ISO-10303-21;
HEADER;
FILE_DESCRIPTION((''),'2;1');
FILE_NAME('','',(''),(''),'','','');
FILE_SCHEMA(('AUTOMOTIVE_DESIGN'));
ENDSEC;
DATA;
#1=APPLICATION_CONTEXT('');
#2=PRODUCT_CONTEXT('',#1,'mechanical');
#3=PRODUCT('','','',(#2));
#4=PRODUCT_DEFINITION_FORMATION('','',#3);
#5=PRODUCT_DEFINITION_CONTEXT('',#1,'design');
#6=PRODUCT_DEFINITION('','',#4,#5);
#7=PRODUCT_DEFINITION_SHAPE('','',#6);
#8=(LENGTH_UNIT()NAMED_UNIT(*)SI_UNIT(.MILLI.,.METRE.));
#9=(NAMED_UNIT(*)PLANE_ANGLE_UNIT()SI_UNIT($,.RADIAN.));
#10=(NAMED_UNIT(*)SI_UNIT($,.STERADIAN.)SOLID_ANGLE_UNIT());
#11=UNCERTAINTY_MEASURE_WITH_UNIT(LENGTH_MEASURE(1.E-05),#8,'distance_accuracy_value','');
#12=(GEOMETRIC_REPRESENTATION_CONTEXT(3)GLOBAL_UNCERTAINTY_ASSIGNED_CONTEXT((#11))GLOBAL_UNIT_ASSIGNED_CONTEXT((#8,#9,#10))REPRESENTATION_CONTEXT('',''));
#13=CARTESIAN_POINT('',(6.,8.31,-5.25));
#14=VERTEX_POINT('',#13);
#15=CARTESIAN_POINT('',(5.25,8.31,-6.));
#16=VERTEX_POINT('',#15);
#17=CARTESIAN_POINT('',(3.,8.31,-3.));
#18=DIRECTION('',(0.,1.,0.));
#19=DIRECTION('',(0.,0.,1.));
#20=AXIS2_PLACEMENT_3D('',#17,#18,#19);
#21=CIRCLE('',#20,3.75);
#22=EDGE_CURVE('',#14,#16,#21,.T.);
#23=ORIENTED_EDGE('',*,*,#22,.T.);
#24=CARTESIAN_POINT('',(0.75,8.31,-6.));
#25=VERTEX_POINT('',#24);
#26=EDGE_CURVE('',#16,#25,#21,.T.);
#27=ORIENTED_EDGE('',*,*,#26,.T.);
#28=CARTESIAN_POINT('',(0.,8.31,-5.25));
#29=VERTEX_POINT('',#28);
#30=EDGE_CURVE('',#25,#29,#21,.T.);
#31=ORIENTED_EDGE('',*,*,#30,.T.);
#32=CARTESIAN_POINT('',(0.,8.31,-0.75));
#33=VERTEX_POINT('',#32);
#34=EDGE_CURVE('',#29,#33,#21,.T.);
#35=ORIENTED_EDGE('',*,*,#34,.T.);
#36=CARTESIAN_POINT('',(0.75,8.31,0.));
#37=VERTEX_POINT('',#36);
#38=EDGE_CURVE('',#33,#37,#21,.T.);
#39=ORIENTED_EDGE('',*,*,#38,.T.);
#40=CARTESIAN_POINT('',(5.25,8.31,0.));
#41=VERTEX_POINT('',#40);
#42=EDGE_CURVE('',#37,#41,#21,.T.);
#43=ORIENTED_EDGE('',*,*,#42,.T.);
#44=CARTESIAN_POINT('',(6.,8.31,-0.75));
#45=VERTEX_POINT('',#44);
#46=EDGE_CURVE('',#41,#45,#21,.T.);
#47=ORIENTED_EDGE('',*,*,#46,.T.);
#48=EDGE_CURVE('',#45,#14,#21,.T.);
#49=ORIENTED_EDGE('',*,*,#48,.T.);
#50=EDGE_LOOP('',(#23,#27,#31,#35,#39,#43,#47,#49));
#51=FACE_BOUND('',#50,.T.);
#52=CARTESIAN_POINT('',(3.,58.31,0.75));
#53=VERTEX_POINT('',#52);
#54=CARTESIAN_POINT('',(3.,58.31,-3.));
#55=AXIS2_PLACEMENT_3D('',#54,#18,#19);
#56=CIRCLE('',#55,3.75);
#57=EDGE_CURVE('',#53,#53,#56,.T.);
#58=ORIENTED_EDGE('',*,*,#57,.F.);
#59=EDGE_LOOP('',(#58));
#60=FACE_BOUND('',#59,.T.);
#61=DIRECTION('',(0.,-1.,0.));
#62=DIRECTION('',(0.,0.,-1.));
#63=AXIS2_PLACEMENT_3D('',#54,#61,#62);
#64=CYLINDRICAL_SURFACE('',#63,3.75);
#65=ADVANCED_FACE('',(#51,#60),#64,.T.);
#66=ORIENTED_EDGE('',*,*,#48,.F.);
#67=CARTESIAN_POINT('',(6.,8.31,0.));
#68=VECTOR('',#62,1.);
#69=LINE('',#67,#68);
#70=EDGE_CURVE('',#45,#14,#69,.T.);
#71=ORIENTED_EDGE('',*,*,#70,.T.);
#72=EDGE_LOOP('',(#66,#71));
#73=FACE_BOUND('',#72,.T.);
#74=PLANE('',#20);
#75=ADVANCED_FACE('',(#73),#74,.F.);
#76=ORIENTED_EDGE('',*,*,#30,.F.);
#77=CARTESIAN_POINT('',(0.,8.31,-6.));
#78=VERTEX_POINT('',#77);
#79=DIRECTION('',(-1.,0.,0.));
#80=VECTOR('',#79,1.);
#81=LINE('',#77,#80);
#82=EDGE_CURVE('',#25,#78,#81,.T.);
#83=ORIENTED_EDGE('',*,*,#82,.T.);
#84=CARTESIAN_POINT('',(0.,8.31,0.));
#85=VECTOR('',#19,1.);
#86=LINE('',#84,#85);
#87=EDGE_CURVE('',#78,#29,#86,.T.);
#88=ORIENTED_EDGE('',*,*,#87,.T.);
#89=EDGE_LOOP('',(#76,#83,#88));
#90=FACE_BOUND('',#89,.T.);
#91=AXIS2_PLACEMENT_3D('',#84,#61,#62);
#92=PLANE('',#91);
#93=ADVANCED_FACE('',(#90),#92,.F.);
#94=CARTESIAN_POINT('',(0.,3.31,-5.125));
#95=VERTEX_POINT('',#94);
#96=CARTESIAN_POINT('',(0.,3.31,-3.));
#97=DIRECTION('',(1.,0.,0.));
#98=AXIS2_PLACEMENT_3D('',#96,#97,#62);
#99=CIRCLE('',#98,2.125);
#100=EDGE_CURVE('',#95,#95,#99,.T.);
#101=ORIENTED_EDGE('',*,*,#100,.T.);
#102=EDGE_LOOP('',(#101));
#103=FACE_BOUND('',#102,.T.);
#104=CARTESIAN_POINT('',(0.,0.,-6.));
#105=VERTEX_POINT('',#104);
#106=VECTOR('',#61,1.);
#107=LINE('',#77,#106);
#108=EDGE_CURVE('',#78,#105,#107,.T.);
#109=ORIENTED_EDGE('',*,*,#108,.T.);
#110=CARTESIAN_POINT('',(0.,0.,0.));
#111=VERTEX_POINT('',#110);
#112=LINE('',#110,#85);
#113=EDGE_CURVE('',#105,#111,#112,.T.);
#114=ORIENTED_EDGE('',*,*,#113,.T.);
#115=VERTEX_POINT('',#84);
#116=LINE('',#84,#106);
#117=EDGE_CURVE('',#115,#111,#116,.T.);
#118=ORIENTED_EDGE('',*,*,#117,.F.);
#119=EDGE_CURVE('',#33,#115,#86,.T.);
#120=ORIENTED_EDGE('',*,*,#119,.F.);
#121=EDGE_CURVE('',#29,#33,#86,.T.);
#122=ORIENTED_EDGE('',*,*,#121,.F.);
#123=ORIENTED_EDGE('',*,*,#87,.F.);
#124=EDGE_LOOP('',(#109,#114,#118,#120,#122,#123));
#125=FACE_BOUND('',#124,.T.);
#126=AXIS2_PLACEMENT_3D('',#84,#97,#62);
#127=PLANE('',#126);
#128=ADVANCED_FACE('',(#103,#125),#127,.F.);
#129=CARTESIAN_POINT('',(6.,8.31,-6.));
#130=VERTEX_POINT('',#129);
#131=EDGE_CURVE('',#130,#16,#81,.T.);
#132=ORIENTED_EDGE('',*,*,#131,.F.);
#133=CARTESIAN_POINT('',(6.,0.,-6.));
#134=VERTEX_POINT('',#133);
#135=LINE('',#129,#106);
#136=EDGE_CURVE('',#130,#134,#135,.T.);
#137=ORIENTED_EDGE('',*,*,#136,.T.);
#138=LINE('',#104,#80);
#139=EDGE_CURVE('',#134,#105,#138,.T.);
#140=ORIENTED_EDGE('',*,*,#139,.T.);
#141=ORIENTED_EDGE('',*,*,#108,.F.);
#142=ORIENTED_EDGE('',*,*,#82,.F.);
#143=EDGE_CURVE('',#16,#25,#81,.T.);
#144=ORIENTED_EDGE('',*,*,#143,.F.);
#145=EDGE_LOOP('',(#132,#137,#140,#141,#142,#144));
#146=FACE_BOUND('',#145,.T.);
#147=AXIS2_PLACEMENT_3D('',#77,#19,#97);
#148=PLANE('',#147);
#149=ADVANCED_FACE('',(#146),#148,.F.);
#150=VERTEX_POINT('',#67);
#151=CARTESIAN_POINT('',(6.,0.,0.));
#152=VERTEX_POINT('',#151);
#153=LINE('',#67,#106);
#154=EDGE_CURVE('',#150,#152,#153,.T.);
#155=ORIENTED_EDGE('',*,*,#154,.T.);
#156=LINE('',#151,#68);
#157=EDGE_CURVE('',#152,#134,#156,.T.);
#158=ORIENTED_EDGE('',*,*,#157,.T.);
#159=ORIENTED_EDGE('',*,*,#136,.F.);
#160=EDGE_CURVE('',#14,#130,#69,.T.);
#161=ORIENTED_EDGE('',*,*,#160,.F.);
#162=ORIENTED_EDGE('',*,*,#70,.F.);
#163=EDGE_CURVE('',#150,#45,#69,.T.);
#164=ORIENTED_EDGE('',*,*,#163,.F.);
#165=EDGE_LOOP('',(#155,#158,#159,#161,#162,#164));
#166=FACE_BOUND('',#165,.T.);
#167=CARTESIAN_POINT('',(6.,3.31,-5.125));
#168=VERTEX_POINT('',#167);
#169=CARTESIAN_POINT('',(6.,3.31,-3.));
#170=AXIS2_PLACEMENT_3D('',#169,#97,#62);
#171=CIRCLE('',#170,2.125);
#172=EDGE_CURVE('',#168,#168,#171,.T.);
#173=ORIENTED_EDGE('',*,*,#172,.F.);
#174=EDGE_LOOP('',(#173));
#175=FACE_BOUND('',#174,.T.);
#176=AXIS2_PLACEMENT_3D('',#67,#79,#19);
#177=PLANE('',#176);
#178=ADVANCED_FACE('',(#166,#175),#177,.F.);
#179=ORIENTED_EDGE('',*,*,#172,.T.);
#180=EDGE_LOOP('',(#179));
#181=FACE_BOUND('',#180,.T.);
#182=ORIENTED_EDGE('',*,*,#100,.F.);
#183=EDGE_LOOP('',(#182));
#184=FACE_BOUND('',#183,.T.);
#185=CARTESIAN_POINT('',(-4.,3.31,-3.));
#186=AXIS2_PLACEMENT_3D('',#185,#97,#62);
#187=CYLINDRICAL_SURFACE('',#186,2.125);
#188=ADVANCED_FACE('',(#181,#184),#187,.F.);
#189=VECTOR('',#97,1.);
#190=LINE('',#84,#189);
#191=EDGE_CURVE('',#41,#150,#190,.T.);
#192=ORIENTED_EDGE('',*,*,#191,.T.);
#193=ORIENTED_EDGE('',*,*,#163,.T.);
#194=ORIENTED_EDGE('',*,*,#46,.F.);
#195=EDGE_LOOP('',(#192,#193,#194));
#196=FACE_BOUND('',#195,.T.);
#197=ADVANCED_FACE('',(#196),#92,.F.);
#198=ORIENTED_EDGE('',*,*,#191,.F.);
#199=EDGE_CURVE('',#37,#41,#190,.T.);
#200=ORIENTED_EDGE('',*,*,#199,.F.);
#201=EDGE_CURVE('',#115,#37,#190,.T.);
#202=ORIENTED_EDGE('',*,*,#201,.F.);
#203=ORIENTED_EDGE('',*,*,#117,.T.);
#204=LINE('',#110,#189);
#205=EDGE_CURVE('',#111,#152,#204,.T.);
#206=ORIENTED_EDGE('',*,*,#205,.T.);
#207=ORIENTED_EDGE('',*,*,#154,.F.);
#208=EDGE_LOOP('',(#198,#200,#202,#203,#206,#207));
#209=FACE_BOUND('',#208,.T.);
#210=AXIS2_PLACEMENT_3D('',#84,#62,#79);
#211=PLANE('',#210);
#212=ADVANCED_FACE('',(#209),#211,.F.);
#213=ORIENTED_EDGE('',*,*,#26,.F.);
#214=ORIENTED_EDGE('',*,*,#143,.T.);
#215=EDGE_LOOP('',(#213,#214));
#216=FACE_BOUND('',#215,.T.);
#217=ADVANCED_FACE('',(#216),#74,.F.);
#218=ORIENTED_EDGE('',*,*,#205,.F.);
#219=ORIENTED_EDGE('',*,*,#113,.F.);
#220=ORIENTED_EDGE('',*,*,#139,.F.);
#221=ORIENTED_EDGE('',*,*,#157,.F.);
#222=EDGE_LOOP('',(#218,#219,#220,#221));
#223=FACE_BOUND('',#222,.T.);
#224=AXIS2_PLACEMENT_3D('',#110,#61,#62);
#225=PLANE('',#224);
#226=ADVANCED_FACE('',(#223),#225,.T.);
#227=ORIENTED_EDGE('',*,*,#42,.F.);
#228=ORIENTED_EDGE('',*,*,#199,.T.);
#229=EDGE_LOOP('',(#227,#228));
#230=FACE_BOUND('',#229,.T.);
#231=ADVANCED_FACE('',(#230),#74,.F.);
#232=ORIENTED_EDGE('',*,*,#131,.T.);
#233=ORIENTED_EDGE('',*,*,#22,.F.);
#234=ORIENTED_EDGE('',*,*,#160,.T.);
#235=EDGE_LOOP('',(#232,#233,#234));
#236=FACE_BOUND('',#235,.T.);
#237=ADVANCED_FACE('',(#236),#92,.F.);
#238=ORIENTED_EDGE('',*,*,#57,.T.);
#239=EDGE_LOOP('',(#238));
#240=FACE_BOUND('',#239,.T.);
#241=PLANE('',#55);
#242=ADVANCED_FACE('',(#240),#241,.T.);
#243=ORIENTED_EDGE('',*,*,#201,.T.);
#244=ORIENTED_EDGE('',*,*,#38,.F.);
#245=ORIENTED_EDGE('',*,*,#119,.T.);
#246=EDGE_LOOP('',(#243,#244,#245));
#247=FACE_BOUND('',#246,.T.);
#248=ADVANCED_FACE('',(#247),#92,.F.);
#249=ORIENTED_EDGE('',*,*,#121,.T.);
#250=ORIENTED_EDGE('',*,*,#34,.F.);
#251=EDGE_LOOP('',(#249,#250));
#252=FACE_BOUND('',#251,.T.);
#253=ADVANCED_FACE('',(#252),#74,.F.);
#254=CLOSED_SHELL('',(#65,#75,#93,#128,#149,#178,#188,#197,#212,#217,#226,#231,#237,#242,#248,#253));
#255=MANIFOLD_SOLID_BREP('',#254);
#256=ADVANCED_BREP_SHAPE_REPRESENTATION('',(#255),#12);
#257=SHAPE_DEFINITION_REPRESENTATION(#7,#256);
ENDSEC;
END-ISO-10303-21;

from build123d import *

# Parameters (mm, degrees)
SKETCH1_W           = 6
SKETCH1_H           = 6
BOSS_EXTRUDE1_DEPTH = 8.31
SKETCH2_R           = 2.125
CUT_EXTRUDE1_DEPTH  = 10
SKETCH3_R           = 3.75
BOSS_EXTRUDE2_DEPTH = 50


with BuildPart() as part:
    # Sketch1 → Boss-Extrude1 (new body)
    with BuildSketch(Plane(origin=(0, 0, 0), x_dir=(1, 0, 0), z_dir=(0, 1, 0))):
        with Locations((3, 3)):
            Rectangle(SKETCH1_W, SKETCH1_H)
    extrude(amount=BOSS_EXTRUDE1_DEPTH)

    # Sketch2 → Cut-Extrude1 (cut)
    with BuildSketch(Plane(origin=(6, 0, 0), x_dir=(0, 0, -1), z_dir=(1, 0, 0))):
        with Locations((3, 3.31)):
            Circle(SKETCH2_R)
    extrude(amount=-CUT_EXTRUDE1_DEPTH, mode=Mode.SUBTRACT)

    # Sketch3 → Boss-Extrude2 (add)
    with BuildSketch(Plane(origin=(0, 8.31, 0), x_dir=(1, 0, 0), z_dir=(0, 1, 0))):
        with Locations((3, 3)):
            Circle(SKETCH3_R)
    extrude(amount=BOSS_EXTRUDE2_DEPTH)


solid = part.part
